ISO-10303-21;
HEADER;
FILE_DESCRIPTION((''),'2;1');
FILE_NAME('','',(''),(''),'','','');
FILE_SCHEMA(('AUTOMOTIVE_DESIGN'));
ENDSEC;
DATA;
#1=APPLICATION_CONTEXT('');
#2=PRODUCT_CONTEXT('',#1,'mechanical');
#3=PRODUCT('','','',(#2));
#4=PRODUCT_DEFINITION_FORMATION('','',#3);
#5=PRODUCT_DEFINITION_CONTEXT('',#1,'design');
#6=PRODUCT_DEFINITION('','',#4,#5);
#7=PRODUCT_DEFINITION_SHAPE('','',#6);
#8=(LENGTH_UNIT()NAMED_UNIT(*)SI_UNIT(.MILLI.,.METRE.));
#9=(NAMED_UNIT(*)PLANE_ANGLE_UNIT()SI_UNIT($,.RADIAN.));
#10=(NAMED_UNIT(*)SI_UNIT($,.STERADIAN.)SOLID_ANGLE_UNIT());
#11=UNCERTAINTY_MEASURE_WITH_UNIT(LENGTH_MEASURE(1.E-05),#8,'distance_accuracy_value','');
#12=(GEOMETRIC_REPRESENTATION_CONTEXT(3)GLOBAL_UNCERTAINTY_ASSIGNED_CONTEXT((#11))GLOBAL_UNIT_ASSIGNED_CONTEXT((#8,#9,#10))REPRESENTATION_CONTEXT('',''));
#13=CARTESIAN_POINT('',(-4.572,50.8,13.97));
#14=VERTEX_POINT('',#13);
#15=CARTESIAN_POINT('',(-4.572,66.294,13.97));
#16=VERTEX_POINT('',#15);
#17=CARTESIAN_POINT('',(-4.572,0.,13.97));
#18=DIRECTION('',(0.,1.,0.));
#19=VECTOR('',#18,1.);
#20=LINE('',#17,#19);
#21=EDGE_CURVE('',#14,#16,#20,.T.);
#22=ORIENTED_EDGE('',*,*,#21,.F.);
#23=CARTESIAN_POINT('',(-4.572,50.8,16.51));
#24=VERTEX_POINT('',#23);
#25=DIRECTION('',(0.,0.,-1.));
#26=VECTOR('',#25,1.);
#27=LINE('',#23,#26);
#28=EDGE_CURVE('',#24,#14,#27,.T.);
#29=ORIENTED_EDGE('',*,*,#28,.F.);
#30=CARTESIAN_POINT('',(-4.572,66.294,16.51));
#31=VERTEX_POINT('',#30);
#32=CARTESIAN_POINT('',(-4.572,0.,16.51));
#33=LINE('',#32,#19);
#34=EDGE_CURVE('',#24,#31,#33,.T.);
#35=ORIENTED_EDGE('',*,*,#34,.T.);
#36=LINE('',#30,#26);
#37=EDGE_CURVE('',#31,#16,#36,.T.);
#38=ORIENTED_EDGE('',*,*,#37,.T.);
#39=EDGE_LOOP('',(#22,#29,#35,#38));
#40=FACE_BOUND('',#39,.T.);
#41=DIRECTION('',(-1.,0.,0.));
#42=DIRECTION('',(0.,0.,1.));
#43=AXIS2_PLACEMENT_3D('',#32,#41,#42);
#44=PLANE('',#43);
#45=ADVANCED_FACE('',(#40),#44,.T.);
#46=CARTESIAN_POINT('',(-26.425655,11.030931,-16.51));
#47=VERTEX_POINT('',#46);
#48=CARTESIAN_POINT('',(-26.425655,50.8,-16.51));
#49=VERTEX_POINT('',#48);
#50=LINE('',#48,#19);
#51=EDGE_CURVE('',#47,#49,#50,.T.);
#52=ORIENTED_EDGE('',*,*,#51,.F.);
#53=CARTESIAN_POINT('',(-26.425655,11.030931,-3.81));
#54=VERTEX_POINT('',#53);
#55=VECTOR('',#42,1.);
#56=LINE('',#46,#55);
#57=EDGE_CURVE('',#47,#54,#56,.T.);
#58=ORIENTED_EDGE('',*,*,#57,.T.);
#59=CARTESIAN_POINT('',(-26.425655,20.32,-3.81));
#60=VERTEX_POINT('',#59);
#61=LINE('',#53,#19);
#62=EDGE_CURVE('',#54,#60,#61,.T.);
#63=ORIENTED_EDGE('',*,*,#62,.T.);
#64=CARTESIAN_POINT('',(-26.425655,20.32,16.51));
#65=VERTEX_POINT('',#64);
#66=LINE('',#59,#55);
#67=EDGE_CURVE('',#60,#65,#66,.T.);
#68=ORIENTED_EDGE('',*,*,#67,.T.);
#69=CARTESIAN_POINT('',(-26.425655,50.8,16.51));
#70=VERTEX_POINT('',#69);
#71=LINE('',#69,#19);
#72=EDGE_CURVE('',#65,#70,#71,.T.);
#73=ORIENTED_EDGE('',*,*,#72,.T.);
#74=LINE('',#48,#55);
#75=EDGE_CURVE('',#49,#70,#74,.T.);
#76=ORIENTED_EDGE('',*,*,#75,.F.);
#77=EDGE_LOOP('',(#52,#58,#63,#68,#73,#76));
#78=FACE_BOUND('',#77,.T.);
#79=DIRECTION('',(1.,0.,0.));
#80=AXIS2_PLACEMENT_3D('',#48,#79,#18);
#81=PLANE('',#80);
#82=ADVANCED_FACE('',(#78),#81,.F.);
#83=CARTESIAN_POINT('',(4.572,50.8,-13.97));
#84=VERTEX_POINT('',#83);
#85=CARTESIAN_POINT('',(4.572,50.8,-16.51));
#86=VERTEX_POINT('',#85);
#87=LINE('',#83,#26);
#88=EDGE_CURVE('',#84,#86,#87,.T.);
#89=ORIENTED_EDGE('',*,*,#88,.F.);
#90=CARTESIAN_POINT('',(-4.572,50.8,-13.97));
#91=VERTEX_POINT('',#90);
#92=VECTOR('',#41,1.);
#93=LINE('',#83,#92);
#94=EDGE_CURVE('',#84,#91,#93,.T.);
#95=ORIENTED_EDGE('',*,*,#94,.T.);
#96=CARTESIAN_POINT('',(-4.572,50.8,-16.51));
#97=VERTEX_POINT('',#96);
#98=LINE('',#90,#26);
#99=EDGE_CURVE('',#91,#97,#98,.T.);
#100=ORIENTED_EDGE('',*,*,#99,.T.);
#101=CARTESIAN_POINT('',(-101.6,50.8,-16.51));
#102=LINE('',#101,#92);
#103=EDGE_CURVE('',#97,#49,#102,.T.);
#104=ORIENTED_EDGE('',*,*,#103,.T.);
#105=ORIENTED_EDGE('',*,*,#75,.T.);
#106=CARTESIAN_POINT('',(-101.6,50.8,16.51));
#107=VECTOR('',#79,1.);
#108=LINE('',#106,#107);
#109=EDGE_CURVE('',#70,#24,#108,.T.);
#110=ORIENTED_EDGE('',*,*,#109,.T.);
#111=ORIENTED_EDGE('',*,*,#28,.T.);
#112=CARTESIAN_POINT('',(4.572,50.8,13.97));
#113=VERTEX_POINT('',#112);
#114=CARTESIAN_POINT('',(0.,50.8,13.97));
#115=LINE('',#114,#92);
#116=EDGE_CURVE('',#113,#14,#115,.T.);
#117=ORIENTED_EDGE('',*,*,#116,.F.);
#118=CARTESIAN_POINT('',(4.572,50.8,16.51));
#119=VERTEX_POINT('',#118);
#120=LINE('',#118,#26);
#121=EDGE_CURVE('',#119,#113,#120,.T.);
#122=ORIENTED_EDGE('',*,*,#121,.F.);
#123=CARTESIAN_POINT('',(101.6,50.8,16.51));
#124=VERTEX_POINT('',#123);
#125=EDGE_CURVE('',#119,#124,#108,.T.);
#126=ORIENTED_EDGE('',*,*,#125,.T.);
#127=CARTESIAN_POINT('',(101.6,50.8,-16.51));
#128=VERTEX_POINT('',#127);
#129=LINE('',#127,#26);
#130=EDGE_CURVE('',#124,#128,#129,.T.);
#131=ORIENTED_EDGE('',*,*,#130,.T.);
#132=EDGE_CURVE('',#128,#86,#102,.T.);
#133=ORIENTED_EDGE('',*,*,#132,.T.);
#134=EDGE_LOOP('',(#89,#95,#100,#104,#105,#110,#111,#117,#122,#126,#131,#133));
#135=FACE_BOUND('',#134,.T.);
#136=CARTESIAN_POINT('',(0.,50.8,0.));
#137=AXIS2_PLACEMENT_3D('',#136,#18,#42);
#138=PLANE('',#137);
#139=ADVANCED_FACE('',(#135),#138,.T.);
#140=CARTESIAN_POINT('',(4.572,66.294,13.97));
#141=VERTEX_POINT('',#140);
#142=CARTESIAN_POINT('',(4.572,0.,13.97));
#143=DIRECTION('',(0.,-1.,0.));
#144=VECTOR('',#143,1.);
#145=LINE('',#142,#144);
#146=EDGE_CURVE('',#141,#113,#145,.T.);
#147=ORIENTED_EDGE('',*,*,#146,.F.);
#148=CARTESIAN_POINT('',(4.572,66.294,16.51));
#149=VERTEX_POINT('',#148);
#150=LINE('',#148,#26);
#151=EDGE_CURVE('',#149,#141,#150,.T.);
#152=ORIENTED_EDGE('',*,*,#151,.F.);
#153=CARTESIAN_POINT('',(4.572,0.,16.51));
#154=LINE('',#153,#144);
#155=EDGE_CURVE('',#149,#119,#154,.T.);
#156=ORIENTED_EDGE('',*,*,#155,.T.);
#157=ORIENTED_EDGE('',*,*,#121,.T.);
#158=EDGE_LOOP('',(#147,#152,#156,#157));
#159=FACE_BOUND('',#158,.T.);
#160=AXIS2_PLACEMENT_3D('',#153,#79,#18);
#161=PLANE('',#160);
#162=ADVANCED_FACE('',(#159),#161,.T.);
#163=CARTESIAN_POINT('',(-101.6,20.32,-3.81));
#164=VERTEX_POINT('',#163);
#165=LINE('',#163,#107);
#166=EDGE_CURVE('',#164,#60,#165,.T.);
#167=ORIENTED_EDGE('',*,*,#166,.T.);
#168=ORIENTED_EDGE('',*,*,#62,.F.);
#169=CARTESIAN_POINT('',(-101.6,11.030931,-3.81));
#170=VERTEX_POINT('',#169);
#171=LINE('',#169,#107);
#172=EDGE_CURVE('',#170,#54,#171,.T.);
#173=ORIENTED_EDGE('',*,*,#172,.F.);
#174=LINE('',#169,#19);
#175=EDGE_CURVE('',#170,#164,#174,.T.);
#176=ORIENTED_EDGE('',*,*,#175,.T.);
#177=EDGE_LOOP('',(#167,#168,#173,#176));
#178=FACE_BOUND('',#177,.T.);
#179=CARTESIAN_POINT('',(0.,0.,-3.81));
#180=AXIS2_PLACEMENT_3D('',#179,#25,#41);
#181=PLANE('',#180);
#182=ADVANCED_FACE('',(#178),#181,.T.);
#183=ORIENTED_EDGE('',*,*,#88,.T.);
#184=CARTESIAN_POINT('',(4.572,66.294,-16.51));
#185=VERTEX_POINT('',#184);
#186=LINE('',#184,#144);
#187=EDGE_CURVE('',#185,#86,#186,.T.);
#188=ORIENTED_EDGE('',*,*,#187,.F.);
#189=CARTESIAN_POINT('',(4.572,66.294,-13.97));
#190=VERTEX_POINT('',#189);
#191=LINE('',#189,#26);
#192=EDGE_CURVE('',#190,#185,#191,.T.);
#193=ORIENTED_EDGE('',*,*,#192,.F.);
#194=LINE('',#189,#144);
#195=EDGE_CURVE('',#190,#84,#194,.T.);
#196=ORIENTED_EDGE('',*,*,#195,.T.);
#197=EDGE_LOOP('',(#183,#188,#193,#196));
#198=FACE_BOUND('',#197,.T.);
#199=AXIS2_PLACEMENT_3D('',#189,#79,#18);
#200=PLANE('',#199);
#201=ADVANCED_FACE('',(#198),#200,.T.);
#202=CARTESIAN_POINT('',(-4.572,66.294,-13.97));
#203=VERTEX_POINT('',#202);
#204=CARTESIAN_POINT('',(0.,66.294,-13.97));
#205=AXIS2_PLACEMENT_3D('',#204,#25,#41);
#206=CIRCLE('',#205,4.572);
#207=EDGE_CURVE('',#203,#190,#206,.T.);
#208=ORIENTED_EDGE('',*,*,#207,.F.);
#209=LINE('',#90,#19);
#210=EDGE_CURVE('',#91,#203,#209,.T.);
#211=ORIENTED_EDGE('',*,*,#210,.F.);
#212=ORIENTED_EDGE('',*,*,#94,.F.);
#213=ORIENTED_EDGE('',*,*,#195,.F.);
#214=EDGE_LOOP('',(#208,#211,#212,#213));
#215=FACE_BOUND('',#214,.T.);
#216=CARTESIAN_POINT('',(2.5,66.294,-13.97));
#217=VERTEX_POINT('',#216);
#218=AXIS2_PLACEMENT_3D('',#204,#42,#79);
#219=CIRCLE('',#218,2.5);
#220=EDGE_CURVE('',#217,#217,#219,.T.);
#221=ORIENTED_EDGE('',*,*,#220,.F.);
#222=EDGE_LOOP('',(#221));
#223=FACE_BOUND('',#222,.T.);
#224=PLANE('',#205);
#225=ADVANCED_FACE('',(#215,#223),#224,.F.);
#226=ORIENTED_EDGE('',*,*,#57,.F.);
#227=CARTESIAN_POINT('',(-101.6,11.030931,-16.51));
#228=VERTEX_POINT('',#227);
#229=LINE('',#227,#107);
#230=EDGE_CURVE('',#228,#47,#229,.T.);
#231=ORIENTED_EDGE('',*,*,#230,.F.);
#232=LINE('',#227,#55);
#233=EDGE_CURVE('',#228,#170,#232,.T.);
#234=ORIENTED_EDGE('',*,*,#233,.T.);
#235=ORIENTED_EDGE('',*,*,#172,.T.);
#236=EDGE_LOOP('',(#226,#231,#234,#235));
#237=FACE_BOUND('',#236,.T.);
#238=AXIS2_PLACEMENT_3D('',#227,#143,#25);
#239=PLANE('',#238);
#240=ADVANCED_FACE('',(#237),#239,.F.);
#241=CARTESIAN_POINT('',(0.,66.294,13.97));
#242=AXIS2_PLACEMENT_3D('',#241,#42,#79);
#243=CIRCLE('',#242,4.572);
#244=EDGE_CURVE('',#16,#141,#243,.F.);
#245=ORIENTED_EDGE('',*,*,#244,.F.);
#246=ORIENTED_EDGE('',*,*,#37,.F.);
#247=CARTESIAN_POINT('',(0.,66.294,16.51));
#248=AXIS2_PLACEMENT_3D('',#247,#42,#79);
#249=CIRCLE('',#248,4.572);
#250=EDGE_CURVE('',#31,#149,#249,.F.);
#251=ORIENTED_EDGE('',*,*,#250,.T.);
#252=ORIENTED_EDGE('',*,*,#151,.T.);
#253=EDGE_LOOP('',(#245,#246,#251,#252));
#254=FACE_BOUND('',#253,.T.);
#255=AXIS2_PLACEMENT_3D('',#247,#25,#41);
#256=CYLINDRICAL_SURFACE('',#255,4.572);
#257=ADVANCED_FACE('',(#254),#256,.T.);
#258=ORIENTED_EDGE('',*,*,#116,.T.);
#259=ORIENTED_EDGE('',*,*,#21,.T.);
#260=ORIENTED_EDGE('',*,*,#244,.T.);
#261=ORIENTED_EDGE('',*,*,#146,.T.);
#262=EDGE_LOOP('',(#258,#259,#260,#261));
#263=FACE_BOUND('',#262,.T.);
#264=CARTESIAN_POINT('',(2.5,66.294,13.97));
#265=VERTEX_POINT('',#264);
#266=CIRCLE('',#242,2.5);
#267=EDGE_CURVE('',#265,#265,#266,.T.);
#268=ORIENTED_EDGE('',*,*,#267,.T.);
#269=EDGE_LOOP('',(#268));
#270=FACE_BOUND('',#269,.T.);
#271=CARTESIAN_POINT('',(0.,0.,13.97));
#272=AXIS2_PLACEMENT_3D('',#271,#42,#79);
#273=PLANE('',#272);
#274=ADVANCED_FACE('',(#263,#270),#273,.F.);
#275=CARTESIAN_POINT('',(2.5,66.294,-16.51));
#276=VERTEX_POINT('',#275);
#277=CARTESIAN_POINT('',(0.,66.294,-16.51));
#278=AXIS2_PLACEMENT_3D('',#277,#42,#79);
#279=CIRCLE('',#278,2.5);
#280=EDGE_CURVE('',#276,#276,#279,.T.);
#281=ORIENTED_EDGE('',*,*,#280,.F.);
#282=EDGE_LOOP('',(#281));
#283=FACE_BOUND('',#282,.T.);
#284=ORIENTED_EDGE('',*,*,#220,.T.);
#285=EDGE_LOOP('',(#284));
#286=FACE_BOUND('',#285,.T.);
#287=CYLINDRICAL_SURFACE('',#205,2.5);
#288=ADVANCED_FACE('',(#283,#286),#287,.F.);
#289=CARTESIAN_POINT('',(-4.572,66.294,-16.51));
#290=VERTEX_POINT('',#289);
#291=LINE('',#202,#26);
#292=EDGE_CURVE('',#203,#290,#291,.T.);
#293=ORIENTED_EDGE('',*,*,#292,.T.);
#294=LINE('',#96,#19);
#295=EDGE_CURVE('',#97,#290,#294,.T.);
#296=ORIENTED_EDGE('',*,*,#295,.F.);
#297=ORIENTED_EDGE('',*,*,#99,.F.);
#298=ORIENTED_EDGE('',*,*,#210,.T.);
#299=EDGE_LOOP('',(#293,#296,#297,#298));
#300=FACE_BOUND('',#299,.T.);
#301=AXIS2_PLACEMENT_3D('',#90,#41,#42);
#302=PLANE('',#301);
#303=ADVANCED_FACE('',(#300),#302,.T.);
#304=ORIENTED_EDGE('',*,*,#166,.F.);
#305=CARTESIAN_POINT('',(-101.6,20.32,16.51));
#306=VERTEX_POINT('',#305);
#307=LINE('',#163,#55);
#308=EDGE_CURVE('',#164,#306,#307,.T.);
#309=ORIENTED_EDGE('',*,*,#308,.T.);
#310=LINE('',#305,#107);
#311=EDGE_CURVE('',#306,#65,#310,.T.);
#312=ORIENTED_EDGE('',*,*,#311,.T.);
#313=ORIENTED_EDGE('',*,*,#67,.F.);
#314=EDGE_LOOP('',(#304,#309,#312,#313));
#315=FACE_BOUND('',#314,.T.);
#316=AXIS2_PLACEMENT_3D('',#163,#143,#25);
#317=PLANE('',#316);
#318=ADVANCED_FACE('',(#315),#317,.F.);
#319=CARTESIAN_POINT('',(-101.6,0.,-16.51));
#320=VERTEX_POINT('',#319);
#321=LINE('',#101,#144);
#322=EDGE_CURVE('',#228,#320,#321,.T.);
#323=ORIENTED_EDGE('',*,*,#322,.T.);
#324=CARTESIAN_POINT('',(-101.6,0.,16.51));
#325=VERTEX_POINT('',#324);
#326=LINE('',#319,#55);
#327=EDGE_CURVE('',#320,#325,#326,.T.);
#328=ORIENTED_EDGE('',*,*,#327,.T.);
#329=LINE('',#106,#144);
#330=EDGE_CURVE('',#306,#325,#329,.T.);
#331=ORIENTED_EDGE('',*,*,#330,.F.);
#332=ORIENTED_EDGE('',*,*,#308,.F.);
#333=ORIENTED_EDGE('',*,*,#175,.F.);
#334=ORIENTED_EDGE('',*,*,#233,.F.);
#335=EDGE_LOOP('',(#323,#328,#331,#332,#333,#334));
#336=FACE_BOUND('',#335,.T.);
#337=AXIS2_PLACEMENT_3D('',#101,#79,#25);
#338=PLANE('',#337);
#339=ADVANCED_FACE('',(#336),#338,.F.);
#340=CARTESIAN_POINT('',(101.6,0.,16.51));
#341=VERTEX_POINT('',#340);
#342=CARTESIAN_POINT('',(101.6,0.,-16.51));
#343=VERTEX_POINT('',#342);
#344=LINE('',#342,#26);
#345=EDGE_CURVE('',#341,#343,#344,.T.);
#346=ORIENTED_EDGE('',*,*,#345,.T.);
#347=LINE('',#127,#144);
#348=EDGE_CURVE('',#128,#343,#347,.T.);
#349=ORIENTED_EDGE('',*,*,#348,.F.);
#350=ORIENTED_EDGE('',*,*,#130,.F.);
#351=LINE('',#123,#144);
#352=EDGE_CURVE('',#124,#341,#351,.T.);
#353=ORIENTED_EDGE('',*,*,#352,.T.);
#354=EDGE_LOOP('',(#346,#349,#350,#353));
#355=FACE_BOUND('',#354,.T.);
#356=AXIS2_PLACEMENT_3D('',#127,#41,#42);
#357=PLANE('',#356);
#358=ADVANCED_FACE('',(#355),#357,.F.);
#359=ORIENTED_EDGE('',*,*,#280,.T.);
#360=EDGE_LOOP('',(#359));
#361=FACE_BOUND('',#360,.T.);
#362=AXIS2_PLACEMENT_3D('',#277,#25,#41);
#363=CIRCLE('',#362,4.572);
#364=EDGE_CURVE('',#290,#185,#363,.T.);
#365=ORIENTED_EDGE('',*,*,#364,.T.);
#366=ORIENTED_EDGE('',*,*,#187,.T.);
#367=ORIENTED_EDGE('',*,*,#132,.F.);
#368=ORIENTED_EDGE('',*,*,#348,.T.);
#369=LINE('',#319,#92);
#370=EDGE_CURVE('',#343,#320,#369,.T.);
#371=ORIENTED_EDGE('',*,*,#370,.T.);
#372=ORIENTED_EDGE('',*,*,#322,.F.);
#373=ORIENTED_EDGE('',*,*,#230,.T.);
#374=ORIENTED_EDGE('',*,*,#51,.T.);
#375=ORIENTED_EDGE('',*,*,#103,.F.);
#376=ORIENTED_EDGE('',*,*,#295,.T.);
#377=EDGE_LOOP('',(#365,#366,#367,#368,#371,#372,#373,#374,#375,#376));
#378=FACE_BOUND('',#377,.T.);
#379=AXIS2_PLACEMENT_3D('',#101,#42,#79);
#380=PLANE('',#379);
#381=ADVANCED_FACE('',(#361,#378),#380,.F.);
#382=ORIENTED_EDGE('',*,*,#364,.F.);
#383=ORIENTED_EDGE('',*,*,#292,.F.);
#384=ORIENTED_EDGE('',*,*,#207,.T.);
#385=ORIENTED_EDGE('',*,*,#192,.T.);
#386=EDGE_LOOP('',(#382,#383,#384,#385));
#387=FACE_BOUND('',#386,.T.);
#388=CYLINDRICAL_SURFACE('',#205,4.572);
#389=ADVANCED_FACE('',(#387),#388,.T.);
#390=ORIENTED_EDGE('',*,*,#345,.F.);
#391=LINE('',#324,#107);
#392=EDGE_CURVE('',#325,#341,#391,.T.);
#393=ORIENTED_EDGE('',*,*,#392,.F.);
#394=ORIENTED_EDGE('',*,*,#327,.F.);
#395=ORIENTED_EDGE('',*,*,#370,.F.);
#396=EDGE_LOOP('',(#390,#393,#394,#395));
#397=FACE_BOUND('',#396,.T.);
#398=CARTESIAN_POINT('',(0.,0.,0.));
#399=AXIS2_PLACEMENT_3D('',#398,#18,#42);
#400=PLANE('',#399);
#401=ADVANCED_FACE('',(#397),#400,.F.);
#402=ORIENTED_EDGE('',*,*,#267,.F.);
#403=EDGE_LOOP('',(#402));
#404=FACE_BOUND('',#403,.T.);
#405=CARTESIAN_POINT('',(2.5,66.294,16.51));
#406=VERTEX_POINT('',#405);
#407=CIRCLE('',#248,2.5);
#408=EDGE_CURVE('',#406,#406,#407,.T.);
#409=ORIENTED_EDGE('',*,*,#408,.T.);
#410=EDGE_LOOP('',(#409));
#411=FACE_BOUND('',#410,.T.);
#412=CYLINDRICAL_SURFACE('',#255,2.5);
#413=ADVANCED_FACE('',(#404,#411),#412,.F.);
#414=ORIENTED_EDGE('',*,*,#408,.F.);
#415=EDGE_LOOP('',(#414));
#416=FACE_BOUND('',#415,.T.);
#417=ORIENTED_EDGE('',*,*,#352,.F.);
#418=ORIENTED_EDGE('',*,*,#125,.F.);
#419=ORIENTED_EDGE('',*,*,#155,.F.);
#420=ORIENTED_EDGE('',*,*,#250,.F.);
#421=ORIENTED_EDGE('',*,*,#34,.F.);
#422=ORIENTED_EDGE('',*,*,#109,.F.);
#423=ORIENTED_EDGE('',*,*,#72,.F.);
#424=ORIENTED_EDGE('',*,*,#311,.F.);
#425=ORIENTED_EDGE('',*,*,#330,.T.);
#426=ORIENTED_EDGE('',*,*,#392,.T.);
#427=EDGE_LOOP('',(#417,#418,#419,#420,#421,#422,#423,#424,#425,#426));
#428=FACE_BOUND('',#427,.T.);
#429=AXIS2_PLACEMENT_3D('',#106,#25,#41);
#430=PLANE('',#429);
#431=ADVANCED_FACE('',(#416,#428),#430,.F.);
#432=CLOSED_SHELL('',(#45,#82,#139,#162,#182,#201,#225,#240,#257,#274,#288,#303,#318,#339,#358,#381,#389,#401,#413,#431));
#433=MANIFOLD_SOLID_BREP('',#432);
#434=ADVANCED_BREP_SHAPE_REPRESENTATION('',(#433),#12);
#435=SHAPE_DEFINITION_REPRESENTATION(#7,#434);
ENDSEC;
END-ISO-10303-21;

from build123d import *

# Parameters (mm, degrees)
SKETCH1_W           = 203.2
SKETCH1_H           = 33.02
BOSS_EXTRUDE1_DEPTH = 50.8
SKETCH4_W           = 75.174345078
SKETCH4_H           = 39.769068734
CUT_EXTRUDE2_DEPTH  = 119.294211186
SKETCH5_W           = 75.174345078
SKETCH5_H           = 9.289068734
BOSS_EXTRUDE3_DEPTH = 20.32
BOSS_EXTRUDE4_START = 15.24
SKETCH6_R           = 2.5
BOSS_EXTRUDE4_DEPTH = 1.27
BOSS_EXTRUDE5_START = -15.24
SKETCH6_3_R         = 2.5
BOSS_EXTRUDE5_DEPTH = 1.27


with BuildPart() as part:
    # Sketch1 → Boss-Extrude1 (new body)
    with BuildSketch(Plane(origin=(0, 0, 0), x_dir=(1, 0, 0), z_dir=(0, 1, 0))):
        Rectangle(SKETCH1_W, SKETCH1_H)
    extrude(amount=BOSS_EXTRUDE1_DEPTH)

    # Sketch4 → Cut-Extrude2 (cut, through all)
    with BuildSketch(Plane.XY.offset(16.51)):
        with Locations((-64.012827461, 30.915465633)):
            Rectangle(SKETCH4_W, SKETCH4_H)
    extrude(amount=-CUT_EXTRUDE2_DEPTH, mode=Mode.SUBTRACT)

    # Sketch5 → Boss-Extrude3 (add)
    with BuildSketch(Plane.XY.offset(16.51)):
        with Locations((-64.012827461, 15.675465633)):
            Rectangle(SKETCH5_W, SKETCH5_H)
    extrude(amount=-BOSS_EXTRUDE3_DEPTH)

    # Sketch6 → Boss-Extrude4 (add, symmetric)
    with BuildSketch(Plane.XY.offset(BOSS_EXTRUDE4_START)):
        with BuildLine():
            Line((-4.572, 66.294), (-4.572, 50.8))
            Line((-4.572, 50.8), (4.572, 50.8))
            Line((4.572, 50.8), (4.572, 66.294))
            ThreePointArc((4.572, 66.294), (0, 70.866), (-4.572, 66.294))
        make_face()
        with Locations((0, 66.294)):
            Circle(SKETCH6_R, mode=Mode.SUBTRACT)
    extrude(amount=BOSS_EXTRUDE4_DEPTH, both=True)

    # Sketch6<3> → Boss-Extrude5 (add, symmetric)
    with BuildSketch(Plane.XY.offset(BOSS_EXTRUDE5_START)):
        with BuildLine():
            Line((-4.572, 50.8), (-4.572, 66.294))
            ThreePointArc((-4.572, 66.294), (0, 70.866), (4.572, 66.294))
            Line((4.572, 66.294), (4.572, 50.8))
            Line((4.572, 50.8), (-4.572, 50.8))
        make_face()
        with Locations((0, 66.294)):
            Circle(SKETCH6_3_R, mode=Mode.SUBTRACT)
    extrude(amount=BOSS_EXTRUDE5_DEPTH, both=True)


solid = part.part
